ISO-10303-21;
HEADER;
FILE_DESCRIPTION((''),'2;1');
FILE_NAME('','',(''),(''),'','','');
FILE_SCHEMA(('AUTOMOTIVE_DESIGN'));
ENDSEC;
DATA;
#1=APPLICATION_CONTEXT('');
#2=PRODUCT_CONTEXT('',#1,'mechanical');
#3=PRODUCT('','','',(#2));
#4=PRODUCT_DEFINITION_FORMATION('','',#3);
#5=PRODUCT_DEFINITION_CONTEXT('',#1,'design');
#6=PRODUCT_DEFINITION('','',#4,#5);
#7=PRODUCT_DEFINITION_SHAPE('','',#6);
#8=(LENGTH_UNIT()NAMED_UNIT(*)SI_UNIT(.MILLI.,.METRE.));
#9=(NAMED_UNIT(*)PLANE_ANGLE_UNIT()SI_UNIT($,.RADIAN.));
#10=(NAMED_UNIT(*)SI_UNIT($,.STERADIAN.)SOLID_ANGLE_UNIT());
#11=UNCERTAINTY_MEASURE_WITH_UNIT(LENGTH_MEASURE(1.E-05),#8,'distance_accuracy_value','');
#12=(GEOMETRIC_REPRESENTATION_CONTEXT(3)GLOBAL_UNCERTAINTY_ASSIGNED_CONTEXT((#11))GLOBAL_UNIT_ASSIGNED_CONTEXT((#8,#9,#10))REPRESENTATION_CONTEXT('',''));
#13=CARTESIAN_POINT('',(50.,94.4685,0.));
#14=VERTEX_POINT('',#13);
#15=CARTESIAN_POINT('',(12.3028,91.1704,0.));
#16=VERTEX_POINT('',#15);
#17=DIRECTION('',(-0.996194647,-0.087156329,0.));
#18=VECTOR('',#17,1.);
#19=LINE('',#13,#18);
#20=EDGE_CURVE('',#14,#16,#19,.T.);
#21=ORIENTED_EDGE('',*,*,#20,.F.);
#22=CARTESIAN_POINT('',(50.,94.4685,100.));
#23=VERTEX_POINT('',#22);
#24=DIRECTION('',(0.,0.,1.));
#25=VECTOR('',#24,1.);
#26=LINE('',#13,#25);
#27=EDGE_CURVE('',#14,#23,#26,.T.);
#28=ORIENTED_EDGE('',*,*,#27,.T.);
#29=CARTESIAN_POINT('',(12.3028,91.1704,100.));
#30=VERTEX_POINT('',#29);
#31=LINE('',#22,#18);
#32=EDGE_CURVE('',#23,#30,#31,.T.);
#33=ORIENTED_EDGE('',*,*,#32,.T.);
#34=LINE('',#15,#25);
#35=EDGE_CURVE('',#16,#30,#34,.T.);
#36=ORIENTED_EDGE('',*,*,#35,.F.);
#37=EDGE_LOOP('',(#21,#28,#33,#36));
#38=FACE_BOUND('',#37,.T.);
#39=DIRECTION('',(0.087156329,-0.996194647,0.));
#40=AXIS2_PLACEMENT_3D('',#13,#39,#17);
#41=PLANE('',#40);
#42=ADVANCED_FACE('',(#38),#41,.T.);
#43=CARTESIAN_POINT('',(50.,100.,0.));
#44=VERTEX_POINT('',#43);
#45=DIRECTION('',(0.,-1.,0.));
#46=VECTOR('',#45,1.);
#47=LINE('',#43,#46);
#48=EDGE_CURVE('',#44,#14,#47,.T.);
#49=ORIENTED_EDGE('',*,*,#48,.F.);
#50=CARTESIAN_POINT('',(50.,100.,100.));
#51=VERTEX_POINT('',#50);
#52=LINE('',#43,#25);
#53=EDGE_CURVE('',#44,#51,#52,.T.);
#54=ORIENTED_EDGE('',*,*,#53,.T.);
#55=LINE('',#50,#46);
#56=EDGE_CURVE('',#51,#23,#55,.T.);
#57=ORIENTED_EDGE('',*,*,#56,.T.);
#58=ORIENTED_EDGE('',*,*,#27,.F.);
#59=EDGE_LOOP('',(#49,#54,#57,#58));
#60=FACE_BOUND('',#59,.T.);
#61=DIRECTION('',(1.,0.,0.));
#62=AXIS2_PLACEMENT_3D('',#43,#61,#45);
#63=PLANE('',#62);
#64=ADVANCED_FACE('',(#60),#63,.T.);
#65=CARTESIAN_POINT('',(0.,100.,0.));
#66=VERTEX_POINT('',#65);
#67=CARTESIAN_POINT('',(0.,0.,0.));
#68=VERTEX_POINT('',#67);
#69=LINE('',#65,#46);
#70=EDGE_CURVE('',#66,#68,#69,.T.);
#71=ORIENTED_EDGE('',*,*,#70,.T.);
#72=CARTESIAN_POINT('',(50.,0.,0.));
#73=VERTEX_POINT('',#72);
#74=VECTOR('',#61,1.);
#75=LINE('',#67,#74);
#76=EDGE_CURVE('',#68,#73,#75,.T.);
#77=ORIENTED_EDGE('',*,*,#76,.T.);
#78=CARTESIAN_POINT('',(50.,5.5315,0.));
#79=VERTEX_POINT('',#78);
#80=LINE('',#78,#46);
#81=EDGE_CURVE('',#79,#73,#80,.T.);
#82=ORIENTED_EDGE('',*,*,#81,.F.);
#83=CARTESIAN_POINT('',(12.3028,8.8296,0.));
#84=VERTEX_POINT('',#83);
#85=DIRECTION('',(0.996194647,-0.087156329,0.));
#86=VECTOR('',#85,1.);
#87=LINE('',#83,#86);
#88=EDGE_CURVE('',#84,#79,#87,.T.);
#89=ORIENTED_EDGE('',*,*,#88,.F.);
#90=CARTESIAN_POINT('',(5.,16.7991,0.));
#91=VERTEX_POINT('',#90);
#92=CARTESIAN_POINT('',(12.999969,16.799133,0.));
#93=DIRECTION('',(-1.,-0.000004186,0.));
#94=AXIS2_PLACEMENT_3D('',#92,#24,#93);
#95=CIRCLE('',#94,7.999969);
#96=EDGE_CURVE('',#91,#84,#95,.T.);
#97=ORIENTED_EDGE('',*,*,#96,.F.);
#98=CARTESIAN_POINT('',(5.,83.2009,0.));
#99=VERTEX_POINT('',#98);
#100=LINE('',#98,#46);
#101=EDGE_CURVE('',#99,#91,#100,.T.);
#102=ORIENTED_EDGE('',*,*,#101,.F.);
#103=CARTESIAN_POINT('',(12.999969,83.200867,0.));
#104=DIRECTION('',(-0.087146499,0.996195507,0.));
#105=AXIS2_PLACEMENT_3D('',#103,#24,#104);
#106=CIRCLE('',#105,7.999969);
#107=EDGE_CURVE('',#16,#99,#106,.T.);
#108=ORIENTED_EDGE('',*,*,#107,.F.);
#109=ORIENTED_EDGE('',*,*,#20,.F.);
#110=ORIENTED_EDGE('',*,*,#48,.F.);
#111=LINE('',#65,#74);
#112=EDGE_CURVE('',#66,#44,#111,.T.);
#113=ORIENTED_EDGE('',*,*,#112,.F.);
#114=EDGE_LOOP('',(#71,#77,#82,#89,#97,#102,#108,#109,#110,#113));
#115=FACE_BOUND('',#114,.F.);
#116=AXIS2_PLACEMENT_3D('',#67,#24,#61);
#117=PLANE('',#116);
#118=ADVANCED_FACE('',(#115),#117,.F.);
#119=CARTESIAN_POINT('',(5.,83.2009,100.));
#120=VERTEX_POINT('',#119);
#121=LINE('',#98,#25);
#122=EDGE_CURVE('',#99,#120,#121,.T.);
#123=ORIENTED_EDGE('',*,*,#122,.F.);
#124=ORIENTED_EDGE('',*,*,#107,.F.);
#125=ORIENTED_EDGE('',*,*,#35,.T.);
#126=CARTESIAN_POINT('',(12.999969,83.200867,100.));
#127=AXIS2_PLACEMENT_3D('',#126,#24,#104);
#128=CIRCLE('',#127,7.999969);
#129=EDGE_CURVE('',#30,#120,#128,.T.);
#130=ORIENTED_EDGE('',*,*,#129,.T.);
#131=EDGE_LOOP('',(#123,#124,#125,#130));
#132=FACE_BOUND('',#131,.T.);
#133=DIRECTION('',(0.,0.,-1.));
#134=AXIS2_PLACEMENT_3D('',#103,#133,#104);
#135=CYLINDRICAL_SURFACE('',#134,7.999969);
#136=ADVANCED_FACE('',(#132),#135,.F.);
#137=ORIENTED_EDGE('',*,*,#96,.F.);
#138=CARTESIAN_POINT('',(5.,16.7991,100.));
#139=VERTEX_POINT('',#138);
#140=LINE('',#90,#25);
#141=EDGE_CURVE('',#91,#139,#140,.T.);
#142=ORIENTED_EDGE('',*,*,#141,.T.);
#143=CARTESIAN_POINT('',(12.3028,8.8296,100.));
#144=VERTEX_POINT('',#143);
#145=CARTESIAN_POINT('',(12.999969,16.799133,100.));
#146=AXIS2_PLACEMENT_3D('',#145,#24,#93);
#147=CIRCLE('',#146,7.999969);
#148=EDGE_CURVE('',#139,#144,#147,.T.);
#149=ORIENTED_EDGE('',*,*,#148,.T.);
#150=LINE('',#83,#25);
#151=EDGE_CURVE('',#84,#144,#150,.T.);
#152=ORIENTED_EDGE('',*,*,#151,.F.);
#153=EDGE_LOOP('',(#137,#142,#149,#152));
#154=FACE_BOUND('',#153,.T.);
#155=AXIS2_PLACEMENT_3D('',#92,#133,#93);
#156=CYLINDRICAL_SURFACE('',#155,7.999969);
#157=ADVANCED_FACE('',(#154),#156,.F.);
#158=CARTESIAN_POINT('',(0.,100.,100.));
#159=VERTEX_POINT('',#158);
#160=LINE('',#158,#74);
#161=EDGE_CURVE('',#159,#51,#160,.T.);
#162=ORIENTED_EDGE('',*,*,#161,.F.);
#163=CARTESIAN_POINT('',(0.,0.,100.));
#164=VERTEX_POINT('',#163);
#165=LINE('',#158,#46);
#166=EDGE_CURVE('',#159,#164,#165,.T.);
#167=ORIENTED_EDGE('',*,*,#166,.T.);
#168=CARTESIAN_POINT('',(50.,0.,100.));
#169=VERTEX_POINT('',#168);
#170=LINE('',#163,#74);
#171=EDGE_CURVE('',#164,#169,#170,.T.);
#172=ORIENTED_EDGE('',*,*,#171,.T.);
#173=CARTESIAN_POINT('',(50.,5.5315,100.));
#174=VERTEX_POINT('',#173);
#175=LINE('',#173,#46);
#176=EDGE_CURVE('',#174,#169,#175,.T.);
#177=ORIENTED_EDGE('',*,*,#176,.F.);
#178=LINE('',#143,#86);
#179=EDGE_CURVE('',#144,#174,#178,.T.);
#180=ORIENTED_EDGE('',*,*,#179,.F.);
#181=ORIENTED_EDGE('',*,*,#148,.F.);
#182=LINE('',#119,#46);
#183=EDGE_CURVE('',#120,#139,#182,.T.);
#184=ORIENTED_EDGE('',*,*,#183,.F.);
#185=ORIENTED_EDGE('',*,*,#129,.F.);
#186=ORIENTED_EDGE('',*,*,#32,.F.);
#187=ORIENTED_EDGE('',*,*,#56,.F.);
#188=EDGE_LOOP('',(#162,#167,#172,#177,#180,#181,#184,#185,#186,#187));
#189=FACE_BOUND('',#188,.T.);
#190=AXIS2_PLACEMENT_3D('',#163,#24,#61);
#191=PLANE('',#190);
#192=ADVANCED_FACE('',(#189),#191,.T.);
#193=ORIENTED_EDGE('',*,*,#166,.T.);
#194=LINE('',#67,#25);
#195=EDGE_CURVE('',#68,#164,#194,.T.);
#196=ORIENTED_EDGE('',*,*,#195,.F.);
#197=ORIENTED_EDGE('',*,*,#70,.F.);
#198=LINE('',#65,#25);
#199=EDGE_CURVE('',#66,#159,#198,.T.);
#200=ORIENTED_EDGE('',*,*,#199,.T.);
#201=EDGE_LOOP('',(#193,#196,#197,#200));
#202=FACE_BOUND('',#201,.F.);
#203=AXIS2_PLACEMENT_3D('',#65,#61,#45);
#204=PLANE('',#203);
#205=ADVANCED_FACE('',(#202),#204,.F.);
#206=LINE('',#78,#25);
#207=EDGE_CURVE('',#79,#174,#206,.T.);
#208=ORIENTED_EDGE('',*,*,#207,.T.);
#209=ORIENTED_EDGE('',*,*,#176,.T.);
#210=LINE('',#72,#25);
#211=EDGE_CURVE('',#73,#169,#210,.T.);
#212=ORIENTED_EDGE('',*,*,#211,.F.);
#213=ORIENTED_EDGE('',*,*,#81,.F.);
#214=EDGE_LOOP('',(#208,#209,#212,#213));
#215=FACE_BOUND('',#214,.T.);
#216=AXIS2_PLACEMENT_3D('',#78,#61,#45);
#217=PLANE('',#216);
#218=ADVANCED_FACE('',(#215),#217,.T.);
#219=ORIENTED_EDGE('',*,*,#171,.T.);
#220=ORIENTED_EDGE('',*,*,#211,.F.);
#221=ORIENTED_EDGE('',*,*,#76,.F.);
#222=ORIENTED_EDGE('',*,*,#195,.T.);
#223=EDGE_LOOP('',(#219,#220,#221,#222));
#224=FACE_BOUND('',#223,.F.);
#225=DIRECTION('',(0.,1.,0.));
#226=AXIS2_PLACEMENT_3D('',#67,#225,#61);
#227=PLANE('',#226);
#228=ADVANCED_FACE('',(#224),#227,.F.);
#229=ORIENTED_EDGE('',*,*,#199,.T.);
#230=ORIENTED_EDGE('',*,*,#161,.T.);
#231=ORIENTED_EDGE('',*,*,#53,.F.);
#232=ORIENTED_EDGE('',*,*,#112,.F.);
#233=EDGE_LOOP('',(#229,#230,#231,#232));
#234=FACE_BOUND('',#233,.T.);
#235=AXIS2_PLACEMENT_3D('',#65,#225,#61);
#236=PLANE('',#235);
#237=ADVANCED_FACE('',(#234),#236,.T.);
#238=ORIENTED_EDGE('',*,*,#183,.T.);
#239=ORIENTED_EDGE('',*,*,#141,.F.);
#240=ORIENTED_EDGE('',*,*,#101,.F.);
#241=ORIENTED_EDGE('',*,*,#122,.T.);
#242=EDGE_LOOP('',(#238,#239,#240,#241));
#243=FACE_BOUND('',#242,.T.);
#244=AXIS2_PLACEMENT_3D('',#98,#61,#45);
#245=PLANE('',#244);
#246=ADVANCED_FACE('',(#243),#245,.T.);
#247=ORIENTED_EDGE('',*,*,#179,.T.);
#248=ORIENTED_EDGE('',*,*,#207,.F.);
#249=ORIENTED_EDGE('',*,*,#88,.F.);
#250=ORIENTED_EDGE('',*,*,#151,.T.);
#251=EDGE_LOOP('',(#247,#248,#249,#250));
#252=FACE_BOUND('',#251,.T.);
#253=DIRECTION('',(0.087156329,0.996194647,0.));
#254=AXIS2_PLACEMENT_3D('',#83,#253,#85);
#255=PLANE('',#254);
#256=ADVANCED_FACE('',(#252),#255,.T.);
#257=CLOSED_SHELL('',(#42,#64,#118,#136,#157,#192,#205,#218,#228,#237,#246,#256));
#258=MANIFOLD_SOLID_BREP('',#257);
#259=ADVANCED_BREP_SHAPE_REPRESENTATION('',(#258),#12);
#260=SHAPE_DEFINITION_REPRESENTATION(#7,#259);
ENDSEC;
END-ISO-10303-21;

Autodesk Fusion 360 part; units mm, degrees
sketch "スケッチ1" plane through (0, 0, 0) normal (0, 0, 1) x (1, 0, 0)
  line L0 (5, 83.2009) -> (5, 16.7991)
  line L1 (0, 100) -> (0, 0)
  line L2 (0, 0) -> (50, 0)
  line L3 (12.3028, 8.8296) -> (50, 5.5315)
  arc A0 (5, 16.7991) -> (12.3028, 8.8296) centre (13, 16.7991) ccw
  line L4 (50, 5.5315) -> (50, 0)
  line L5 (50, 94.4685) -> (12.3028, 91.1704)
  line L6 (0, 100) -> (50, 100)
  arc A1 (12.3028, 91.1704) -> (5, 83.2009) centre (13, 83.2009) ccw
  line L7 (50, 100) -> (50, 94.4685)
extrude "押し出し1" add sketch "スケッチ1" along normal blind 100
